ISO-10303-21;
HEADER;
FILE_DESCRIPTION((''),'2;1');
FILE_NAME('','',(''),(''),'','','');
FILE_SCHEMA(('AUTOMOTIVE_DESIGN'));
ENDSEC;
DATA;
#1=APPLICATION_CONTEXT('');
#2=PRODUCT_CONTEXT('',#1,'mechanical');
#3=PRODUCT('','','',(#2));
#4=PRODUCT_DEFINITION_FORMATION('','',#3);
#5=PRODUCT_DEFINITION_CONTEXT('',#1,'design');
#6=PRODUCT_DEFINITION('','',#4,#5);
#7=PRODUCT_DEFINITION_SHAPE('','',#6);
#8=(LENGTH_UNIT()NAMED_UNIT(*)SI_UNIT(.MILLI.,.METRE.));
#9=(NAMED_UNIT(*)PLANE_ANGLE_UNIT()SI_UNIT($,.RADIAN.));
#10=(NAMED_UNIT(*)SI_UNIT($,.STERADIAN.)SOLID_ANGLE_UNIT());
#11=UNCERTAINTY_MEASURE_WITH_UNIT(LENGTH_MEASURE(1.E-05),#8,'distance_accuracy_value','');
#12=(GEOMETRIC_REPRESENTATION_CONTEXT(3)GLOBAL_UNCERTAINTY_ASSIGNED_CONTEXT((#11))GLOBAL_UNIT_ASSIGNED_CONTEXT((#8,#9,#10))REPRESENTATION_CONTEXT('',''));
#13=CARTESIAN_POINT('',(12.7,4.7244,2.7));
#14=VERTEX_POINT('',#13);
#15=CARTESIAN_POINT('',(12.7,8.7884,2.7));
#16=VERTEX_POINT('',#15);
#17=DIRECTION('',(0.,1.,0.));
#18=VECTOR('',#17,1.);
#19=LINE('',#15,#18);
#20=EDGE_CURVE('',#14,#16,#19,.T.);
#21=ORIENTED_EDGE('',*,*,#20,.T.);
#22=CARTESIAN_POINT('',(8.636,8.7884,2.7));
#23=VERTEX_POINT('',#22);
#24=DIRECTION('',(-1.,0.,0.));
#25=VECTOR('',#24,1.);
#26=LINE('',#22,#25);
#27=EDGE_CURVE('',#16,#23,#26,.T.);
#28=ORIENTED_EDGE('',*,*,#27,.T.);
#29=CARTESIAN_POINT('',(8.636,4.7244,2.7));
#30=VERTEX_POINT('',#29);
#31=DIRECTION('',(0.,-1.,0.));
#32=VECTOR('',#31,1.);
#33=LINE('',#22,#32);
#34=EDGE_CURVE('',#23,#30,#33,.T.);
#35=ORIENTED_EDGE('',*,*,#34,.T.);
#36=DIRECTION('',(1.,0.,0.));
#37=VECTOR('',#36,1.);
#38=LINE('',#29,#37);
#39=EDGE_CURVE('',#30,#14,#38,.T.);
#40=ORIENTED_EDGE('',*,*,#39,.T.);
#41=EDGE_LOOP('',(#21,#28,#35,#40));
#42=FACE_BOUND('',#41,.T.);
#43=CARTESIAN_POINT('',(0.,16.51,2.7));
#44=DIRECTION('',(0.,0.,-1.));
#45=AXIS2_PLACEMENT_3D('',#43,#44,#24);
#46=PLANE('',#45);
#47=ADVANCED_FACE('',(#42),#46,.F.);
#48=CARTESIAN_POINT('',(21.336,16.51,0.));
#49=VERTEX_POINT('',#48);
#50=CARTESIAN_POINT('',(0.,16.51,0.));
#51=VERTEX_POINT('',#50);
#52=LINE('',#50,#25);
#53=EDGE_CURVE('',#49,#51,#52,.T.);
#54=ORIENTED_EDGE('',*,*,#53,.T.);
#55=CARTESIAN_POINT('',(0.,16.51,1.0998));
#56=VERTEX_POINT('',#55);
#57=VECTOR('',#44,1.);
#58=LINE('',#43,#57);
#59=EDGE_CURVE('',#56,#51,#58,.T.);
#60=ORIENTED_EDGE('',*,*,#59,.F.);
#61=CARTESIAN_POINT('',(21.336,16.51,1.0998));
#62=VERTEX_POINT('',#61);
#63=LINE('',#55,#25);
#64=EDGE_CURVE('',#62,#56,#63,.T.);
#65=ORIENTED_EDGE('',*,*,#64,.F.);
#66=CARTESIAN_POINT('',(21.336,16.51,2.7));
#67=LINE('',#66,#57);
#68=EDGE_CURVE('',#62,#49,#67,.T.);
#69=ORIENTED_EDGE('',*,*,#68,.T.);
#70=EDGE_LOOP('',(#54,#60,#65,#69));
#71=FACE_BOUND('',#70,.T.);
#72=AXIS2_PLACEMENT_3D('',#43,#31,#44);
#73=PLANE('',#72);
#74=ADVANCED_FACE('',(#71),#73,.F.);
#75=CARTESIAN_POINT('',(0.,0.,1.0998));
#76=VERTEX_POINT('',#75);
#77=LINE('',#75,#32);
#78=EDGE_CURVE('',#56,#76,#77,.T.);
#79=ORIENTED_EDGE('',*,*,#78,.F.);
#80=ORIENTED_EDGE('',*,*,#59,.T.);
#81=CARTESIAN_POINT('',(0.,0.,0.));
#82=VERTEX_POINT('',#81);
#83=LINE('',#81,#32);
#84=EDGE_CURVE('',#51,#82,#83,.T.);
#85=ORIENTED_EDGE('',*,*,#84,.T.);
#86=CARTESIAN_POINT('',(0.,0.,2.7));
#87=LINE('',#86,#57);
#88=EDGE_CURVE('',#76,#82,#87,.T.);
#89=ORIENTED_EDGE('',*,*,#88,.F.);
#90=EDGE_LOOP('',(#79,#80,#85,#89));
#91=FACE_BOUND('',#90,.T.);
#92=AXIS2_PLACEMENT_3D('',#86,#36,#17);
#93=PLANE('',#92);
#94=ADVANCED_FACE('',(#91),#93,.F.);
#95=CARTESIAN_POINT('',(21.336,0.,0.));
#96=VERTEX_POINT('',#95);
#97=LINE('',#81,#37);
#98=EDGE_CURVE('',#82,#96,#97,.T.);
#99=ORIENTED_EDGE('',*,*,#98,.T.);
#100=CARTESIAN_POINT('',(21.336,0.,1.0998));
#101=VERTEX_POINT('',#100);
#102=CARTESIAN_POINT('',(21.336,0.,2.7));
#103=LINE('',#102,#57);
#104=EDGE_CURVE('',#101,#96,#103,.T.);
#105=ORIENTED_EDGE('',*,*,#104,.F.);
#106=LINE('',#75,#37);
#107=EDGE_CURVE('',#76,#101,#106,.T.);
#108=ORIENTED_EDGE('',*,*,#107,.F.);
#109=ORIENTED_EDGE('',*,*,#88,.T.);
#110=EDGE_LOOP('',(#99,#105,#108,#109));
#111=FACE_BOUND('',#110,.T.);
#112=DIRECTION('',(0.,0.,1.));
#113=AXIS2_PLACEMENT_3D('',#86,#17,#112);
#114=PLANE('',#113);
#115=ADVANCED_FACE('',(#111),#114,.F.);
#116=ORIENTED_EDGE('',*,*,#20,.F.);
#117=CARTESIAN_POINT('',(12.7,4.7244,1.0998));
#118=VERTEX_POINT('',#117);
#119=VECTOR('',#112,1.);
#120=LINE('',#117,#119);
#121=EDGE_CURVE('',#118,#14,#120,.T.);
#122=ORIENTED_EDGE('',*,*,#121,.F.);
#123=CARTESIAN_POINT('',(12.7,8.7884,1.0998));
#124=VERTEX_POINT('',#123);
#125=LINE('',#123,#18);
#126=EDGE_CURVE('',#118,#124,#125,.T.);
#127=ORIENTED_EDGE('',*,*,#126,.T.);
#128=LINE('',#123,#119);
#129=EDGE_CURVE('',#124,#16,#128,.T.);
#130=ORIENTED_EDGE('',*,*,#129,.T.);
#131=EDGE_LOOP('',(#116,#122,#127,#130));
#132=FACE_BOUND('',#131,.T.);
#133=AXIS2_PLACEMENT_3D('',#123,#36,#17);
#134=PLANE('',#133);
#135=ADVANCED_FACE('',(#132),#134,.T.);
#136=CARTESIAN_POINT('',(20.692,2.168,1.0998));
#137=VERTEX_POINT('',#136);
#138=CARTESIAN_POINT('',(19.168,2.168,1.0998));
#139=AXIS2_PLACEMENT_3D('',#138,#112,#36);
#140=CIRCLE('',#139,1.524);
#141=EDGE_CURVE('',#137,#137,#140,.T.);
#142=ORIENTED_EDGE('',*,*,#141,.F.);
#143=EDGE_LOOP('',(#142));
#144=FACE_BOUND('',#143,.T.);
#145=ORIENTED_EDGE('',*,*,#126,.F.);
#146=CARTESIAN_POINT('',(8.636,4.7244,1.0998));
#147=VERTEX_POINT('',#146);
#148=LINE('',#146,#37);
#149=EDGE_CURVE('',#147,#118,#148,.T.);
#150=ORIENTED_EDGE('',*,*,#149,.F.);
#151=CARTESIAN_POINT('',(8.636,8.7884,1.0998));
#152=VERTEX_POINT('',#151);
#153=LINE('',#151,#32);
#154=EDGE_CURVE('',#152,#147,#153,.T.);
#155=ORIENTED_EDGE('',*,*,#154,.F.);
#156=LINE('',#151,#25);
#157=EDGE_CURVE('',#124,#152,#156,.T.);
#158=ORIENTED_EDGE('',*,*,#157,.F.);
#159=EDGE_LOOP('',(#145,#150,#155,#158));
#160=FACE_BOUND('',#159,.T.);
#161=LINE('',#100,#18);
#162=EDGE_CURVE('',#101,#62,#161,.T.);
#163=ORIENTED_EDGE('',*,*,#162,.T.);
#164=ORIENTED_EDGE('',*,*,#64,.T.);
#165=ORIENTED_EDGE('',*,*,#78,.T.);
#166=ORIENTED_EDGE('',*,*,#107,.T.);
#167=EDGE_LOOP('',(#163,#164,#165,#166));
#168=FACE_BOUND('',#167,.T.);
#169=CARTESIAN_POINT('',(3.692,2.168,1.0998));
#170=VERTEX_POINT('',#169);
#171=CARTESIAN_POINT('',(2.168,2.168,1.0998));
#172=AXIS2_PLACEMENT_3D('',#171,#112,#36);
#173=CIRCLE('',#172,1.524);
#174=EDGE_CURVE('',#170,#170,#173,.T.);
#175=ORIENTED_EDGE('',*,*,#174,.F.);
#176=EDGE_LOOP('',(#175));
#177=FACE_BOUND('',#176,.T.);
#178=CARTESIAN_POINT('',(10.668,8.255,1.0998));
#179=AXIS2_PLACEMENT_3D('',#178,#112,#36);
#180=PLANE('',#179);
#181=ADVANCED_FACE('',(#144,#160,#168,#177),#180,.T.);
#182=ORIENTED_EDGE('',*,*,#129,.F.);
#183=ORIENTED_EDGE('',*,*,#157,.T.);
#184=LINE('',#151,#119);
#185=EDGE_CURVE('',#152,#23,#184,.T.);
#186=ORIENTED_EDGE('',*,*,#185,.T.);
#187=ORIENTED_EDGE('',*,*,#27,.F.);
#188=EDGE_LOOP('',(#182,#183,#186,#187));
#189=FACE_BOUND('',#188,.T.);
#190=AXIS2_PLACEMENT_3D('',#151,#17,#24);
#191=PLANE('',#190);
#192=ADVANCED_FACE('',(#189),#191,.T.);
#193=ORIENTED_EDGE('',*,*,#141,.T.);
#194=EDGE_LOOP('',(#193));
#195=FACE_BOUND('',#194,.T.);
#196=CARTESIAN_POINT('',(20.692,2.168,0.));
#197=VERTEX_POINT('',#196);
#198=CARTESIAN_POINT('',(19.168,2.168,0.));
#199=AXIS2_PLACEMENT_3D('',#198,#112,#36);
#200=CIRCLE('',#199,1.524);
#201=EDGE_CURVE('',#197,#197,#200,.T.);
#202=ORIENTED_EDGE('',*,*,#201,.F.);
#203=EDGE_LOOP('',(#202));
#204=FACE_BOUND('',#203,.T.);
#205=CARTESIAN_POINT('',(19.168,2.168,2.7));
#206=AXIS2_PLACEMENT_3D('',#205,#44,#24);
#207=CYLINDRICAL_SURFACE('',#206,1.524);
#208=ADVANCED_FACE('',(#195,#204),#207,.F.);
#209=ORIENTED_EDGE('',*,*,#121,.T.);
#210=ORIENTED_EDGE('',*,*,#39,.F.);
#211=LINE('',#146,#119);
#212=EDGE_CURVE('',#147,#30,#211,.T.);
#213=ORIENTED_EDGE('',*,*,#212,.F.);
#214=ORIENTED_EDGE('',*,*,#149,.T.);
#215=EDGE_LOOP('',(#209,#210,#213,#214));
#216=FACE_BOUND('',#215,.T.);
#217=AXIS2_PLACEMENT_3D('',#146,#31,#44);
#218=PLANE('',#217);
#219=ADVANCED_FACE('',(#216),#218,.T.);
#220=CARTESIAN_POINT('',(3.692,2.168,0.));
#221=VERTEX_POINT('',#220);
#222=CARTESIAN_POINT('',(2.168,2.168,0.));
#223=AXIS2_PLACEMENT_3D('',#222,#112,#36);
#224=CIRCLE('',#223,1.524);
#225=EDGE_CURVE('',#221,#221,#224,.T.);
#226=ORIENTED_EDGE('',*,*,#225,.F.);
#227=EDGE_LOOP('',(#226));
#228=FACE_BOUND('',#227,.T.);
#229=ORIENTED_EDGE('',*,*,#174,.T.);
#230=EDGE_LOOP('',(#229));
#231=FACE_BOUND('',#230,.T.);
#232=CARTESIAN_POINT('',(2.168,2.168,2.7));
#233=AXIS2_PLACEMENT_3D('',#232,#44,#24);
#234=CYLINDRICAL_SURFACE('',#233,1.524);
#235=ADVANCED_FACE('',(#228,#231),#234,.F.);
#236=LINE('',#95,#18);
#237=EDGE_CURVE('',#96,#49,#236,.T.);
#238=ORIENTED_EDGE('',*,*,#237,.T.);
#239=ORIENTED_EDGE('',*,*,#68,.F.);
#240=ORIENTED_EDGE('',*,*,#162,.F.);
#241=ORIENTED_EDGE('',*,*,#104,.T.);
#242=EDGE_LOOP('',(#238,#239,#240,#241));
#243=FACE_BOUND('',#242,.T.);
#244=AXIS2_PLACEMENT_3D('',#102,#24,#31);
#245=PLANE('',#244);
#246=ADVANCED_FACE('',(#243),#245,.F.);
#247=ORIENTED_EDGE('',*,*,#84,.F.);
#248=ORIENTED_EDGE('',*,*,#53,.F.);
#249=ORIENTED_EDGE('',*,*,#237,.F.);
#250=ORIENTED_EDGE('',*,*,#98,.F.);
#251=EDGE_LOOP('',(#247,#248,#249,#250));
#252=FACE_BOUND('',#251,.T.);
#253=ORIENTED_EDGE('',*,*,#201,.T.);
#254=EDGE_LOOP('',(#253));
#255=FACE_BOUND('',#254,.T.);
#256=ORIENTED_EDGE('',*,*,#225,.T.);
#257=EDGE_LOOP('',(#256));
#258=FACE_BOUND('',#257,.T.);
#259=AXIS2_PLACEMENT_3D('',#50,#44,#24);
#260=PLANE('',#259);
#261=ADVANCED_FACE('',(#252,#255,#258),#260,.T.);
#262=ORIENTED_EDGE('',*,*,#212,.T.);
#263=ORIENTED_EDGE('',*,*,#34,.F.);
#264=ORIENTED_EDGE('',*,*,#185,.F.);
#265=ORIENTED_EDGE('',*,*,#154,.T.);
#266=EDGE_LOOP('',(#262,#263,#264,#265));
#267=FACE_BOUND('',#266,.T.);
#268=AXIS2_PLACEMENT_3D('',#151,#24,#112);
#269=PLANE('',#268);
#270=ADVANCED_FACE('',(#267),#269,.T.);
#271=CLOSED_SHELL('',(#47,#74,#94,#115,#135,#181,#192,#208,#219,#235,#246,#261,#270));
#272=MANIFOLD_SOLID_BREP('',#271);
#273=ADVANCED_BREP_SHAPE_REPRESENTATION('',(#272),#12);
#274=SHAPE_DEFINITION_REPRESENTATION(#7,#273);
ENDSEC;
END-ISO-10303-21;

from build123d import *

# Parameters (mm, degrees)
SKETCH1_W           = 21.336
SKETCH1_H           = 16.51
SKETCH1_R           = 1.524
BOSS_EXTRUDE1_DEPTH = 2.7
SKETCH2_OUTSIDE_W   = 28.758
SKETCH2_OUTSIDE_H   = 23.932
SKETCH2_OUTSIDE_W_2 = 4.064
SKETCH2_OUTSIDE_H_2 = 4.064
CUT_EXTRUDE1_DEPTH  = 1.6002


with BuildPart() as part:
    # Sketch1 → Boss-Extrude1 (new body)
    with BuildSketch(Plane.XY):
        with Locations((10.668, 8.255)):
            Rectangle(SKETCH1_W, SKETCH1_H)
        with Locations((2.168, 2.168)):
            Circle(SKETCH1_R, mode=Mode.SUBTRACT)
        with Locations((19.168, 2.168)):
            Circle(SKETCH1_R, mode=Mode.SUBTRACT)
    extrude(amount=BOSS_EXTRUDE1_DEPTH)

    # Sketch2 outside → Cut-Extrude1 (cut)
    with BuildSketch(Plane.XY.offset(2.7)):
        with Locations((10.668, 8.255)):
            Rectangle(SKETCH2_OUTSIDE_W, SKETCH2_OUTSIDE_H)
        with Locations((10.668, 6.7564)):
            Rectangle(SKETCH2_OUTSIDE_W_2, SKETCH2_OUTSIDE_H_2, mode=Mode.SUBTRACT)
    extrude(amount=-CUT_EXTRUDE1_DEPTH, mode=Mode.SUBTRACT)


solid = part.part
